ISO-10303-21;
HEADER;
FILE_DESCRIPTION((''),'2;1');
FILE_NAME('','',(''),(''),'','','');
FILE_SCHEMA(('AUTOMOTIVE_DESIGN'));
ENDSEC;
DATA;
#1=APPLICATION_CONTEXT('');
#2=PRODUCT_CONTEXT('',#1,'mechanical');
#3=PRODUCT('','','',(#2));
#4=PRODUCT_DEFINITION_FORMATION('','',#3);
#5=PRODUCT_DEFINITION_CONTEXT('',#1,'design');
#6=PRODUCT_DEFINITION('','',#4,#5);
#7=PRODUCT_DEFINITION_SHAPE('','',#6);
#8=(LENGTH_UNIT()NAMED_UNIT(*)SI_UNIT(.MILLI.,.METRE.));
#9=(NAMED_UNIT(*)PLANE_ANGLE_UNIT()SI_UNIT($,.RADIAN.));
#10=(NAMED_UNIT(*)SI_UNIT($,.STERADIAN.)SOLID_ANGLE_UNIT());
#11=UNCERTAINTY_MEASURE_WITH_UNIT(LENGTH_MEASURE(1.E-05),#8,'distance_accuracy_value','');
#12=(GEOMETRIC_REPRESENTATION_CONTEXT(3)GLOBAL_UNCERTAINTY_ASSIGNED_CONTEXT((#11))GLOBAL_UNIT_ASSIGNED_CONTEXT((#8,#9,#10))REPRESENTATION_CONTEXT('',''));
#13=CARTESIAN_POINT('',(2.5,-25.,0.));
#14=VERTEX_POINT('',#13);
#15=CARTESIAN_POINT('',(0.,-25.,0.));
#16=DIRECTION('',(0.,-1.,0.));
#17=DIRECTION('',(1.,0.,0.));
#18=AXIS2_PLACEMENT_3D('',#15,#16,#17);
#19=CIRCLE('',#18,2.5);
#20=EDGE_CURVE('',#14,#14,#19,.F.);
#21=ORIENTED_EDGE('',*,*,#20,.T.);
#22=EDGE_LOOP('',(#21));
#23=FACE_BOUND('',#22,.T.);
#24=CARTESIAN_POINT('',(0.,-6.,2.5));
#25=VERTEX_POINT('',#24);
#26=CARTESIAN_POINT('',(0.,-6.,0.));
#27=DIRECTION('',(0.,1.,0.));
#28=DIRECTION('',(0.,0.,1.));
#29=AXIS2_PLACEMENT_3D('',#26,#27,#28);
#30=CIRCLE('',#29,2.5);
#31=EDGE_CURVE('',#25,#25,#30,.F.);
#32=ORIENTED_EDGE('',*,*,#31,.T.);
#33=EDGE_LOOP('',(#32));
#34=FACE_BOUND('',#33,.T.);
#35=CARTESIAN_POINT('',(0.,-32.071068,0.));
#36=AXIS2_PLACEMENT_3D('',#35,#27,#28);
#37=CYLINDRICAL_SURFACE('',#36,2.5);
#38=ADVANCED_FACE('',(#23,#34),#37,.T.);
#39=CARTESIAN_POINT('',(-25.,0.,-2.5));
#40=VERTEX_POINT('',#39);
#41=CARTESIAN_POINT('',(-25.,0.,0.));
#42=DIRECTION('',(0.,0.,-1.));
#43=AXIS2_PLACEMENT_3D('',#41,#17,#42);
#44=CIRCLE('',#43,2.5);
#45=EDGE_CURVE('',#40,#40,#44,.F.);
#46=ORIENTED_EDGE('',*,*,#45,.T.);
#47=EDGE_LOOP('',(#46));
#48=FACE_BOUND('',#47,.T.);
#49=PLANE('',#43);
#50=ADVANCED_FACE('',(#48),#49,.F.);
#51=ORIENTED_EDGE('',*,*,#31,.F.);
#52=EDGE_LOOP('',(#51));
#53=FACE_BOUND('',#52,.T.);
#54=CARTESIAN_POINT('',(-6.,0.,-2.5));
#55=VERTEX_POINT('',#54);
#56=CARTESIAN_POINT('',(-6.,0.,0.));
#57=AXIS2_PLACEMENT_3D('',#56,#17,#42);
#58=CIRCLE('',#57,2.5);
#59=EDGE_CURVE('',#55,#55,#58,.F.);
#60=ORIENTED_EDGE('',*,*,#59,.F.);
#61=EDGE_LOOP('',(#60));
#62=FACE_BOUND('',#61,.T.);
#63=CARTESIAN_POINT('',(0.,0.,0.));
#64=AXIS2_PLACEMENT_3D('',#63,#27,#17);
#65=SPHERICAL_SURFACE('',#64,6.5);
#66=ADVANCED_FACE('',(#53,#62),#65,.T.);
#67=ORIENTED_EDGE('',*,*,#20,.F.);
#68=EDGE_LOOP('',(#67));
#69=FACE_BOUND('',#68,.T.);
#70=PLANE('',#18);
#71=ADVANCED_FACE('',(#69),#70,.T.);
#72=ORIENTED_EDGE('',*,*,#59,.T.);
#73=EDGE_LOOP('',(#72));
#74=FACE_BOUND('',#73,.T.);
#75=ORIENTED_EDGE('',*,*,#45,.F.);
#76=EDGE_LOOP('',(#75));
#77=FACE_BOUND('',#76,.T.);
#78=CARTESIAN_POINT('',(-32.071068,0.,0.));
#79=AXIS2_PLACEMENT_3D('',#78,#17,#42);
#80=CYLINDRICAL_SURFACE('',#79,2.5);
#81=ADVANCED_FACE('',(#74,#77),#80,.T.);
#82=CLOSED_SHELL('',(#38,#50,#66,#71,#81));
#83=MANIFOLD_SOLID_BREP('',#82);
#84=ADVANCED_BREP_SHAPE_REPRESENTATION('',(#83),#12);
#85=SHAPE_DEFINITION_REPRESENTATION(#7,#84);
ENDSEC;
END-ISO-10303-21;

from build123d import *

# Parameters (mm, degrees)
SKETCH_3_R      = 2.5
EXTRUDE_2_DEPTH = 25
SKETCH_2_R      = 2.5
EXTRUDE_1_DEPTH = 25


with BuildPart() as part:
    # 스케치1 → 회전1 (revolve)
    with BuildSketch(Plane.XY):
        with BuildLine():
            Line((0, -6.5), (0, 6.5))
            ThreePointArc((0, 6.5), (-6.5, 0), (0, -6.5))
        make_face()
    revolve(axis=Axis((0, 7.642806544, 0), (0, -1, 0)))

    # 스케치3 → 보스-돌출2 (add)
    with BuildSketch(Plane(origin=(0, 0, 0), x_dir=(0, 0, -1), z_dir=(1, 0, 0))):
        Circle(SKETCH_3_R)
    extrude(amount=-EXTRUDE_2_DEPTH)

    # 스케치2 → 보스-돌출1 (add)
    with BuildSketch(Plane(origin=(0, 0, 0), x_dir=(1, 0, 0), z_dir=(0, 1, 0))):
        Circle(SKETCH_2_R)
    extrude(amount=-EXTRUDE_1_DEPTH)


solid = part.part
